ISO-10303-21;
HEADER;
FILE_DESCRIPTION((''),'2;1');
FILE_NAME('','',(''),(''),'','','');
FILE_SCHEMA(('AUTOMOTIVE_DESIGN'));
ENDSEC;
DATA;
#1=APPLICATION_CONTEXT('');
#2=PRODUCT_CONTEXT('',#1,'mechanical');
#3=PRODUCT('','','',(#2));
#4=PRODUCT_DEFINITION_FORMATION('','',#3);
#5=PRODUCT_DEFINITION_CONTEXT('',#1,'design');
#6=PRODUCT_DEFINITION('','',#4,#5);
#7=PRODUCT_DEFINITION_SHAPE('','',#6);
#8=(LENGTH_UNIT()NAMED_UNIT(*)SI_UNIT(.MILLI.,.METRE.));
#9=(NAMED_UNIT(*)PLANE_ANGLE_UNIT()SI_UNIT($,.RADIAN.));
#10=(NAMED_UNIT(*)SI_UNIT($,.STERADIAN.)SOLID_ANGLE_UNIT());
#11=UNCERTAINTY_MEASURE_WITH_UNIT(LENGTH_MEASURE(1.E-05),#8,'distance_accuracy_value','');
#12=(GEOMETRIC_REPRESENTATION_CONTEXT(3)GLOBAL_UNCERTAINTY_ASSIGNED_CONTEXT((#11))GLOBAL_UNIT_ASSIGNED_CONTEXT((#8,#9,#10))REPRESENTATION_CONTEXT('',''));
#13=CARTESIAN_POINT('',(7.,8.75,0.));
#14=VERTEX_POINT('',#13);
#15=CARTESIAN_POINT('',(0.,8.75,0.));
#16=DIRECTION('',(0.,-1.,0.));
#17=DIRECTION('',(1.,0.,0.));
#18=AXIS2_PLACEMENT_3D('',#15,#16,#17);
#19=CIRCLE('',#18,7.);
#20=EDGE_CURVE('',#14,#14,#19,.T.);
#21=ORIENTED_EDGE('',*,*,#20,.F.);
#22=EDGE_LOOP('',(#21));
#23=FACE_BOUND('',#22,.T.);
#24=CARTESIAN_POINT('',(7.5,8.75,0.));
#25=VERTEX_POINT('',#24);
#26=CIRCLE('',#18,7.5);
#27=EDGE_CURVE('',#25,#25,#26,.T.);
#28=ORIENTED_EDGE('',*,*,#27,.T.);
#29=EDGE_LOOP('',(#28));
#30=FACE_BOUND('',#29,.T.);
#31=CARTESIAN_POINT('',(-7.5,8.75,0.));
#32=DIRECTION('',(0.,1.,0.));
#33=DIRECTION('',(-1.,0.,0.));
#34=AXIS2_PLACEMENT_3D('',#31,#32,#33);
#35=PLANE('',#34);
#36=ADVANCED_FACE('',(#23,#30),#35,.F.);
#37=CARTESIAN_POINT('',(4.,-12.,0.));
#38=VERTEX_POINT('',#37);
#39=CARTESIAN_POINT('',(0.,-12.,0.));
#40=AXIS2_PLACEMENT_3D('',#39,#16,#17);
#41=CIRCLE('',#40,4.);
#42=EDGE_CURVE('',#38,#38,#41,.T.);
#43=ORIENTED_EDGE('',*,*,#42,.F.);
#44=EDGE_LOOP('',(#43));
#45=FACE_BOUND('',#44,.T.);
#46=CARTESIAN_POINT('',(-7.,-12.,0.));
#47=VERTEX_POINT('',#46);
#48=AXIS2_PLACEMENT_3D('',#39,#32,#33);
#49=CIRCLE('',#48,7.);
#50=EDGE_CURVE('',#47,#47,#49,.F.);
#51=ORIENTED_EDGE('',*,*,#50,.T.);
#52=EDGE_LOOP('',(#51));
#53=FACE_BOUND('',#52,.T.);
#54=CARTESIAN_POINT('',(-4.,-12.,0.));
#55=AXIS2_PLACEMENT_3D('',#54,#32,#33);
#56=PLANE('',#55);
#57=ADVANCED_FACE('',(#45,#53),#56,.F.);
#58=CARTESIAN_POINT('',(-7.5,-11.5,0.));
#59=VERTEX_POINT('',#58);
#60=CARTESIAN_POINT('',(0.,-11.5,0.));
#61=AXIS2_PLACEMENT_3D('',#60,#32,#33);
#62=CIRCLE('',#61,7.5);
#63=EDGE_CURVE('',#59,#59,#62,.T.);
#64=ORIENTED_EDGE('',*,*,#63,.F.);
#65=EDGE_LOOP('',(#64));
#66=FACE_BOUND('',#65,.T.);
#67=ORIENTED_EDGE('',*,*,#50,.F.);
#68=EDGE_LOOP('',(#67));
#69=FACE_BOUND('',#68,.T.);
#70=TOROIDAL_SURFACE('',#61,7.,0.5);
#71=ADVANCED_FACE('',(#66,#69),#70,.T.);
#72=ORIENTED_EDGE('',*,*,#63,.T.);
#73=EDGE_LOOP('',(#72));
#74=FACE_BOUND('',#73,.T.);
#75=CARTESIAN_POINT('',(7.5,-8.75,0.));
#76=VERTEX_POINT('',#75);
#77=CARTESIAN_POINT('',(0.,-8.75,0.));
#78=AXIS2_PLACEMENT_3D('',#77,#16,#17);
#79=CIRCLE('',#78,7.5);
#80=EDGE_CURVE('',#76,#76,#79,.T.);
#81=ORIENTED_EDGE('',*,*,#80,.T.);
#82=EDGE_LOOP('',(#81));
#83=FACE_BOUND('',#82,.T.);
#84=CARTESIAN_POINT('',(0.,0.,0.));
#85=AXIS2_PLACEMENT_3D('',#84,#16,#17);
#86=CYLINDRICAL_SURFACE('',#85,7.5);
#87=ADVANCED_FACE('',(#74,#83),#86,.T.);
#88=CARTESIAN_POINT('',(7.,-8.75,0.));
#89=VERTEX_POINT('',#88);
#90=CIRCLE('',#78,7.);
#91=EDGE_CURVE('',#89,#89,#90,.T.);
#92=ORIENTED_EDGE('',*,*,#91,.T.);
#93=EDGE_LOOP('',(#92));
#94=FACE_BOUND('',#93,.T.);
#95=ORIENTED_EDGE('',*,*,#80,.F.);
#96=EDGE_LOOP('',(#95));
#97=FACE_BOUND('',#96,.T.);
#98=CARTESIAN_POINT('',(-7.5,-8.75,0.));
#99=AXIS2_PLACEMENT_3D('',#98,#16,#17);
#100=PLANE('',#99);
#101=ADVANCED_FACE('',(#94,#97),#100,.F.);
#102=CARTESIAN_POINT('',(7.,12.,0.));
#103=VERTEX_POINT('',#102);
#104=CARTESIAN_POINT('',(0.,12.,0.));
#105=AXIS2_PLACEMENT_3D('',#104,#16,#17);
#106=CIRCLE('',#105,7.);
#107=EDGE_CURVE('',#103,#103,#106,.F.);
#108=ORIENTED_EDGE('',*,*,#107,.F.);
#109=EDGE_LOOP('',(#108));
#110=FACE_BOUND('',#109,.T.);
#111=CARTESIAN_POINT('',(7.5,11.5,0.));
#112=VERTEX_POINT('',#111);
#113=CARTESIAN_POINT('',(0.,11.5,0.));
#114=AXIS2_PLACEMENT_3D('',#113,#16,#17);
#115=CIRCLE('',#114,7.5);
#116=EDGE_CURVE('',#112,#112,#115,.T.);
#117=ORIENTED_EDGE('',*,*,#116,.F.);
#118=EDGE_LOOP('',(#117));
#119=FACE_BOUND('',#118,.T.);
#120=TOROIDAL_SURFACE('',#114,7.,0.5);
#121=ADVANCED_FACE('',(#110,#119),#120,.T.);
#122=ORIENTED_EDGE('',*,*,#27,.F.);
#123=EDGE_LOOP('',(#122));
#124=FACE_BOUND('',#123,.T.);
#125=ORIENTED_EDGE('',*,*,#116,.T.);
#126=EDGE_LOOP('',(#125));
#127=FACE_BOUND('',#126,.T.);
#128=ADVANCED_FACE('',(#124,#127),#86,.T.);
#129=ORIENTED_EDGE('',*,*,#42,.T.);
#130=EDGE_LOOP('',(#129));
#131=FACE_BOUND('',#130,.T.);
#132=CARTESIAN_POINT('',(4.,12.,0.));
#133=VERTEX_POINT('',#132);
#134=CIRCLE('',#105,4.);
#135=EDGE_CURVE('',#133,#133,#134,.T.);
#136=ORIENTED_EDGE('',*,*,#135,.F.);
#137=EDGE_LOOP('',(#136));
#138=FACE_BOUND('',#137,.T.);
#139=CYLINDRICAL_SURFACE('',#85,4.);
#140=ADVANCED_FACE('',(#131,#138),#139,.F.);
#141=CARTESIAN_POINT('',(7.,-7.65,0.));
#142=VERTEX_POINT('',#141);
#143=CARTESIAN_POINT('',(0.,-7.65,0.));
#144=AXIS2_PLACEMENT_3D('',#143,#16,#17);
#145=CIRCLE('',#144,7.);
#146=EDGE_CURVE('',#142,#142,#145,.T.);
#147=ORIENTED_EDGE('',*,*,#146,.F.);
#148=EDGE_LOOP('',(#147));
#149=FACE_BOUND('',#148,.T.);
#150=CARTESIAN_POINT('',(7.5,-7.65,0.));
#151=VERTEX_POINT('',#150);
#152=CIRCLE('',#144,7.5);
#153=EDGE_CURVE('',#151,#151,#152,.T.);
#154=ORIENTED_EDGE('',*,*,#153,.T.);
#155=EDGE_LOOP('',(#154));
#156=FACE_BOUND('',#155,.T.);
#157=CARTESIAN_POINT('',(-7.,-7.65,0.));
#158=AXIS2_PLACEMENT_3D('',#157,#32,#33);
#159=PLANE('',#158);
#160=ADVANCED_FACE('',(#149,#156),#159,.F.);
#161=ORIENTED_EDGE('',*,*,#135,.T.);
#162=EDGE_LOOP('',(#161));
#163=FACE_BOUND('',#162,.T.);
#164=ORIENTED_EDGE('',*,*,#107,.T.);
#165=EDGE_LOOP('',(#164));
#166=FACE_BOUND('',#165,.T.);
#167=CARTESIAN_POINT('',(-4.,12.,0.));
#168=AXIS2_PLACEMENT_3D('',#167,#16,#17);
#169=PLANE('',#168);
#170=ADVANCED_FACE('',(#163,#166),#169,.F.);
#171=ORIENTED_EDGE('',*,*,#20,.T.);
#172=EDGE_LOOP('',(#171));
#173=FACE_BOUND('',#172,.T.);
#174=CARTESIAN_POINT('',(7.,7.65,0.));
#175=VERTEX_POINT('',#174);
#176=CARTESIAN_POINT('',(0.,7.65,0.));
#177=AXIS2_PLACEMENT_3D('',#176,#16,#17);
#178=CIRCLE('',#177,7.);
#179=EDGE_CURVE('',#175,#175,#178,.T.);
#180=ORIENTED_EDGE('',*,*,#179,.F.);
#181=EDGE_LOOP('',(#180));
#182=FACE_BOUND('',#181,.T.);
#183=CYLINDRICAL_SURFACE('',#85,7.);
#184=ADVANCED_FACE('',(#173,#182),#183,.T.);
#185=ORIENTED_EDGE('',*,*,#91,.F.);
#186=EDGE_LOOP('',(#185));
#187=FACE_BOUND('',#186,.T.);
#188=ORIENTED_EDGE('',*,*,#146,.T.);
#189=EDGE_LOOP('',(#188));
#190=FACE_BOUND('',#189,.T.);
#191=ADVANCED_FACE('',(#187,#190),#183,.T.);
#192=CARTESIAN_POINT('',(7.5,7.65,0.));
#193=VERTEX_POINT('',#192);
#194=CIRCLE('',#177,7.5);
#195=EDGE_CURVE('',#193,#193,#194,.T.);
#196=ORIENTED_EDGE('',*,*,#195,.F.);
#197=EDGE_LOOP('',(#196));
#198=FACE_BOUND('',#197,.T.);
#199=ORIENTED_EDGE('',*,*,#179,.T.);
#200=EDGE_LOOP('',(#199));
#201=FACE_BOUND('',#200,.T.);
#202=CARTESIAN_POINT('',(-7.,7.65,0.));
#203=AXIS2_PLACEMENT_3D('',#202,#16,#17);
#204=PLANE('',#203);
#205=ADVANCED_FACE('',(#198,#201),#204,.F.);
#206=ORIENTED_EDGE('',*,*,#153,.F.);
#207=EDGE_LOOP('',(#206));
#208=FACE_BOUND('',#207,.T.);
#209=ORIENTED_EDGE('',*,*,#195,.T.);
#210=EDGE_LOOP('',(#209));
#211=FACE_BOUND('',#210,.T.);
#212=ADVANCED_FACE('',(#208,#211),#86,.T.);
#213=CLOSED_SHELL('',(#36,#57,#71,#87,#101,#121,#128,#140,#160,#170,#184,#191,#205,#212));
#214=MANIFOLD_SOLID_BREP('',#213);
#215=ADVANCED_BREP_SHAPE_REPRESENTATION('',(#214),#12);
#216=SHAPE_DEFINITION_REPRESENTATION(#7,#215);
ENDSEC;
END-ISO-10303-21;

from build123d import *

# Parameters (mm, degrees)
FILLET1_R = 0.5


with BuildPart() as part:
    # Sketch1 → Revolve1 (revolve)
    with BuildSketch(Plane.XY, mode=Mode.PRIVATE) as revolve1_sk:
        Polygon((-4, 12), (-7.5, 12), (-7.5, 8.75), (-7, 8.75), (-7, 7.65), (-7.5, 7.65), (-7.5, -7.65), (-7, -7.65), (-7, -8.75), (-7.5, -8.75), (-7.5, -12), (-4, -12), align=None)
    revolve(revolve1_sk.sketch.rotate(Axis((0, 0, 0), (0, 1, 0)), 180), axis=Axis((0, 0, 0), (0, 1, 0)))

    # Fillet1
    fillet1_edges = [part.edges().sort_by_distance(p)[0] for p in [
        (-7.5, -12, 0),
        (-7.5, 12, 0),
    ]]
    fillet(fillet1_edges, radius=FILLET1_R)


solid = part.part
